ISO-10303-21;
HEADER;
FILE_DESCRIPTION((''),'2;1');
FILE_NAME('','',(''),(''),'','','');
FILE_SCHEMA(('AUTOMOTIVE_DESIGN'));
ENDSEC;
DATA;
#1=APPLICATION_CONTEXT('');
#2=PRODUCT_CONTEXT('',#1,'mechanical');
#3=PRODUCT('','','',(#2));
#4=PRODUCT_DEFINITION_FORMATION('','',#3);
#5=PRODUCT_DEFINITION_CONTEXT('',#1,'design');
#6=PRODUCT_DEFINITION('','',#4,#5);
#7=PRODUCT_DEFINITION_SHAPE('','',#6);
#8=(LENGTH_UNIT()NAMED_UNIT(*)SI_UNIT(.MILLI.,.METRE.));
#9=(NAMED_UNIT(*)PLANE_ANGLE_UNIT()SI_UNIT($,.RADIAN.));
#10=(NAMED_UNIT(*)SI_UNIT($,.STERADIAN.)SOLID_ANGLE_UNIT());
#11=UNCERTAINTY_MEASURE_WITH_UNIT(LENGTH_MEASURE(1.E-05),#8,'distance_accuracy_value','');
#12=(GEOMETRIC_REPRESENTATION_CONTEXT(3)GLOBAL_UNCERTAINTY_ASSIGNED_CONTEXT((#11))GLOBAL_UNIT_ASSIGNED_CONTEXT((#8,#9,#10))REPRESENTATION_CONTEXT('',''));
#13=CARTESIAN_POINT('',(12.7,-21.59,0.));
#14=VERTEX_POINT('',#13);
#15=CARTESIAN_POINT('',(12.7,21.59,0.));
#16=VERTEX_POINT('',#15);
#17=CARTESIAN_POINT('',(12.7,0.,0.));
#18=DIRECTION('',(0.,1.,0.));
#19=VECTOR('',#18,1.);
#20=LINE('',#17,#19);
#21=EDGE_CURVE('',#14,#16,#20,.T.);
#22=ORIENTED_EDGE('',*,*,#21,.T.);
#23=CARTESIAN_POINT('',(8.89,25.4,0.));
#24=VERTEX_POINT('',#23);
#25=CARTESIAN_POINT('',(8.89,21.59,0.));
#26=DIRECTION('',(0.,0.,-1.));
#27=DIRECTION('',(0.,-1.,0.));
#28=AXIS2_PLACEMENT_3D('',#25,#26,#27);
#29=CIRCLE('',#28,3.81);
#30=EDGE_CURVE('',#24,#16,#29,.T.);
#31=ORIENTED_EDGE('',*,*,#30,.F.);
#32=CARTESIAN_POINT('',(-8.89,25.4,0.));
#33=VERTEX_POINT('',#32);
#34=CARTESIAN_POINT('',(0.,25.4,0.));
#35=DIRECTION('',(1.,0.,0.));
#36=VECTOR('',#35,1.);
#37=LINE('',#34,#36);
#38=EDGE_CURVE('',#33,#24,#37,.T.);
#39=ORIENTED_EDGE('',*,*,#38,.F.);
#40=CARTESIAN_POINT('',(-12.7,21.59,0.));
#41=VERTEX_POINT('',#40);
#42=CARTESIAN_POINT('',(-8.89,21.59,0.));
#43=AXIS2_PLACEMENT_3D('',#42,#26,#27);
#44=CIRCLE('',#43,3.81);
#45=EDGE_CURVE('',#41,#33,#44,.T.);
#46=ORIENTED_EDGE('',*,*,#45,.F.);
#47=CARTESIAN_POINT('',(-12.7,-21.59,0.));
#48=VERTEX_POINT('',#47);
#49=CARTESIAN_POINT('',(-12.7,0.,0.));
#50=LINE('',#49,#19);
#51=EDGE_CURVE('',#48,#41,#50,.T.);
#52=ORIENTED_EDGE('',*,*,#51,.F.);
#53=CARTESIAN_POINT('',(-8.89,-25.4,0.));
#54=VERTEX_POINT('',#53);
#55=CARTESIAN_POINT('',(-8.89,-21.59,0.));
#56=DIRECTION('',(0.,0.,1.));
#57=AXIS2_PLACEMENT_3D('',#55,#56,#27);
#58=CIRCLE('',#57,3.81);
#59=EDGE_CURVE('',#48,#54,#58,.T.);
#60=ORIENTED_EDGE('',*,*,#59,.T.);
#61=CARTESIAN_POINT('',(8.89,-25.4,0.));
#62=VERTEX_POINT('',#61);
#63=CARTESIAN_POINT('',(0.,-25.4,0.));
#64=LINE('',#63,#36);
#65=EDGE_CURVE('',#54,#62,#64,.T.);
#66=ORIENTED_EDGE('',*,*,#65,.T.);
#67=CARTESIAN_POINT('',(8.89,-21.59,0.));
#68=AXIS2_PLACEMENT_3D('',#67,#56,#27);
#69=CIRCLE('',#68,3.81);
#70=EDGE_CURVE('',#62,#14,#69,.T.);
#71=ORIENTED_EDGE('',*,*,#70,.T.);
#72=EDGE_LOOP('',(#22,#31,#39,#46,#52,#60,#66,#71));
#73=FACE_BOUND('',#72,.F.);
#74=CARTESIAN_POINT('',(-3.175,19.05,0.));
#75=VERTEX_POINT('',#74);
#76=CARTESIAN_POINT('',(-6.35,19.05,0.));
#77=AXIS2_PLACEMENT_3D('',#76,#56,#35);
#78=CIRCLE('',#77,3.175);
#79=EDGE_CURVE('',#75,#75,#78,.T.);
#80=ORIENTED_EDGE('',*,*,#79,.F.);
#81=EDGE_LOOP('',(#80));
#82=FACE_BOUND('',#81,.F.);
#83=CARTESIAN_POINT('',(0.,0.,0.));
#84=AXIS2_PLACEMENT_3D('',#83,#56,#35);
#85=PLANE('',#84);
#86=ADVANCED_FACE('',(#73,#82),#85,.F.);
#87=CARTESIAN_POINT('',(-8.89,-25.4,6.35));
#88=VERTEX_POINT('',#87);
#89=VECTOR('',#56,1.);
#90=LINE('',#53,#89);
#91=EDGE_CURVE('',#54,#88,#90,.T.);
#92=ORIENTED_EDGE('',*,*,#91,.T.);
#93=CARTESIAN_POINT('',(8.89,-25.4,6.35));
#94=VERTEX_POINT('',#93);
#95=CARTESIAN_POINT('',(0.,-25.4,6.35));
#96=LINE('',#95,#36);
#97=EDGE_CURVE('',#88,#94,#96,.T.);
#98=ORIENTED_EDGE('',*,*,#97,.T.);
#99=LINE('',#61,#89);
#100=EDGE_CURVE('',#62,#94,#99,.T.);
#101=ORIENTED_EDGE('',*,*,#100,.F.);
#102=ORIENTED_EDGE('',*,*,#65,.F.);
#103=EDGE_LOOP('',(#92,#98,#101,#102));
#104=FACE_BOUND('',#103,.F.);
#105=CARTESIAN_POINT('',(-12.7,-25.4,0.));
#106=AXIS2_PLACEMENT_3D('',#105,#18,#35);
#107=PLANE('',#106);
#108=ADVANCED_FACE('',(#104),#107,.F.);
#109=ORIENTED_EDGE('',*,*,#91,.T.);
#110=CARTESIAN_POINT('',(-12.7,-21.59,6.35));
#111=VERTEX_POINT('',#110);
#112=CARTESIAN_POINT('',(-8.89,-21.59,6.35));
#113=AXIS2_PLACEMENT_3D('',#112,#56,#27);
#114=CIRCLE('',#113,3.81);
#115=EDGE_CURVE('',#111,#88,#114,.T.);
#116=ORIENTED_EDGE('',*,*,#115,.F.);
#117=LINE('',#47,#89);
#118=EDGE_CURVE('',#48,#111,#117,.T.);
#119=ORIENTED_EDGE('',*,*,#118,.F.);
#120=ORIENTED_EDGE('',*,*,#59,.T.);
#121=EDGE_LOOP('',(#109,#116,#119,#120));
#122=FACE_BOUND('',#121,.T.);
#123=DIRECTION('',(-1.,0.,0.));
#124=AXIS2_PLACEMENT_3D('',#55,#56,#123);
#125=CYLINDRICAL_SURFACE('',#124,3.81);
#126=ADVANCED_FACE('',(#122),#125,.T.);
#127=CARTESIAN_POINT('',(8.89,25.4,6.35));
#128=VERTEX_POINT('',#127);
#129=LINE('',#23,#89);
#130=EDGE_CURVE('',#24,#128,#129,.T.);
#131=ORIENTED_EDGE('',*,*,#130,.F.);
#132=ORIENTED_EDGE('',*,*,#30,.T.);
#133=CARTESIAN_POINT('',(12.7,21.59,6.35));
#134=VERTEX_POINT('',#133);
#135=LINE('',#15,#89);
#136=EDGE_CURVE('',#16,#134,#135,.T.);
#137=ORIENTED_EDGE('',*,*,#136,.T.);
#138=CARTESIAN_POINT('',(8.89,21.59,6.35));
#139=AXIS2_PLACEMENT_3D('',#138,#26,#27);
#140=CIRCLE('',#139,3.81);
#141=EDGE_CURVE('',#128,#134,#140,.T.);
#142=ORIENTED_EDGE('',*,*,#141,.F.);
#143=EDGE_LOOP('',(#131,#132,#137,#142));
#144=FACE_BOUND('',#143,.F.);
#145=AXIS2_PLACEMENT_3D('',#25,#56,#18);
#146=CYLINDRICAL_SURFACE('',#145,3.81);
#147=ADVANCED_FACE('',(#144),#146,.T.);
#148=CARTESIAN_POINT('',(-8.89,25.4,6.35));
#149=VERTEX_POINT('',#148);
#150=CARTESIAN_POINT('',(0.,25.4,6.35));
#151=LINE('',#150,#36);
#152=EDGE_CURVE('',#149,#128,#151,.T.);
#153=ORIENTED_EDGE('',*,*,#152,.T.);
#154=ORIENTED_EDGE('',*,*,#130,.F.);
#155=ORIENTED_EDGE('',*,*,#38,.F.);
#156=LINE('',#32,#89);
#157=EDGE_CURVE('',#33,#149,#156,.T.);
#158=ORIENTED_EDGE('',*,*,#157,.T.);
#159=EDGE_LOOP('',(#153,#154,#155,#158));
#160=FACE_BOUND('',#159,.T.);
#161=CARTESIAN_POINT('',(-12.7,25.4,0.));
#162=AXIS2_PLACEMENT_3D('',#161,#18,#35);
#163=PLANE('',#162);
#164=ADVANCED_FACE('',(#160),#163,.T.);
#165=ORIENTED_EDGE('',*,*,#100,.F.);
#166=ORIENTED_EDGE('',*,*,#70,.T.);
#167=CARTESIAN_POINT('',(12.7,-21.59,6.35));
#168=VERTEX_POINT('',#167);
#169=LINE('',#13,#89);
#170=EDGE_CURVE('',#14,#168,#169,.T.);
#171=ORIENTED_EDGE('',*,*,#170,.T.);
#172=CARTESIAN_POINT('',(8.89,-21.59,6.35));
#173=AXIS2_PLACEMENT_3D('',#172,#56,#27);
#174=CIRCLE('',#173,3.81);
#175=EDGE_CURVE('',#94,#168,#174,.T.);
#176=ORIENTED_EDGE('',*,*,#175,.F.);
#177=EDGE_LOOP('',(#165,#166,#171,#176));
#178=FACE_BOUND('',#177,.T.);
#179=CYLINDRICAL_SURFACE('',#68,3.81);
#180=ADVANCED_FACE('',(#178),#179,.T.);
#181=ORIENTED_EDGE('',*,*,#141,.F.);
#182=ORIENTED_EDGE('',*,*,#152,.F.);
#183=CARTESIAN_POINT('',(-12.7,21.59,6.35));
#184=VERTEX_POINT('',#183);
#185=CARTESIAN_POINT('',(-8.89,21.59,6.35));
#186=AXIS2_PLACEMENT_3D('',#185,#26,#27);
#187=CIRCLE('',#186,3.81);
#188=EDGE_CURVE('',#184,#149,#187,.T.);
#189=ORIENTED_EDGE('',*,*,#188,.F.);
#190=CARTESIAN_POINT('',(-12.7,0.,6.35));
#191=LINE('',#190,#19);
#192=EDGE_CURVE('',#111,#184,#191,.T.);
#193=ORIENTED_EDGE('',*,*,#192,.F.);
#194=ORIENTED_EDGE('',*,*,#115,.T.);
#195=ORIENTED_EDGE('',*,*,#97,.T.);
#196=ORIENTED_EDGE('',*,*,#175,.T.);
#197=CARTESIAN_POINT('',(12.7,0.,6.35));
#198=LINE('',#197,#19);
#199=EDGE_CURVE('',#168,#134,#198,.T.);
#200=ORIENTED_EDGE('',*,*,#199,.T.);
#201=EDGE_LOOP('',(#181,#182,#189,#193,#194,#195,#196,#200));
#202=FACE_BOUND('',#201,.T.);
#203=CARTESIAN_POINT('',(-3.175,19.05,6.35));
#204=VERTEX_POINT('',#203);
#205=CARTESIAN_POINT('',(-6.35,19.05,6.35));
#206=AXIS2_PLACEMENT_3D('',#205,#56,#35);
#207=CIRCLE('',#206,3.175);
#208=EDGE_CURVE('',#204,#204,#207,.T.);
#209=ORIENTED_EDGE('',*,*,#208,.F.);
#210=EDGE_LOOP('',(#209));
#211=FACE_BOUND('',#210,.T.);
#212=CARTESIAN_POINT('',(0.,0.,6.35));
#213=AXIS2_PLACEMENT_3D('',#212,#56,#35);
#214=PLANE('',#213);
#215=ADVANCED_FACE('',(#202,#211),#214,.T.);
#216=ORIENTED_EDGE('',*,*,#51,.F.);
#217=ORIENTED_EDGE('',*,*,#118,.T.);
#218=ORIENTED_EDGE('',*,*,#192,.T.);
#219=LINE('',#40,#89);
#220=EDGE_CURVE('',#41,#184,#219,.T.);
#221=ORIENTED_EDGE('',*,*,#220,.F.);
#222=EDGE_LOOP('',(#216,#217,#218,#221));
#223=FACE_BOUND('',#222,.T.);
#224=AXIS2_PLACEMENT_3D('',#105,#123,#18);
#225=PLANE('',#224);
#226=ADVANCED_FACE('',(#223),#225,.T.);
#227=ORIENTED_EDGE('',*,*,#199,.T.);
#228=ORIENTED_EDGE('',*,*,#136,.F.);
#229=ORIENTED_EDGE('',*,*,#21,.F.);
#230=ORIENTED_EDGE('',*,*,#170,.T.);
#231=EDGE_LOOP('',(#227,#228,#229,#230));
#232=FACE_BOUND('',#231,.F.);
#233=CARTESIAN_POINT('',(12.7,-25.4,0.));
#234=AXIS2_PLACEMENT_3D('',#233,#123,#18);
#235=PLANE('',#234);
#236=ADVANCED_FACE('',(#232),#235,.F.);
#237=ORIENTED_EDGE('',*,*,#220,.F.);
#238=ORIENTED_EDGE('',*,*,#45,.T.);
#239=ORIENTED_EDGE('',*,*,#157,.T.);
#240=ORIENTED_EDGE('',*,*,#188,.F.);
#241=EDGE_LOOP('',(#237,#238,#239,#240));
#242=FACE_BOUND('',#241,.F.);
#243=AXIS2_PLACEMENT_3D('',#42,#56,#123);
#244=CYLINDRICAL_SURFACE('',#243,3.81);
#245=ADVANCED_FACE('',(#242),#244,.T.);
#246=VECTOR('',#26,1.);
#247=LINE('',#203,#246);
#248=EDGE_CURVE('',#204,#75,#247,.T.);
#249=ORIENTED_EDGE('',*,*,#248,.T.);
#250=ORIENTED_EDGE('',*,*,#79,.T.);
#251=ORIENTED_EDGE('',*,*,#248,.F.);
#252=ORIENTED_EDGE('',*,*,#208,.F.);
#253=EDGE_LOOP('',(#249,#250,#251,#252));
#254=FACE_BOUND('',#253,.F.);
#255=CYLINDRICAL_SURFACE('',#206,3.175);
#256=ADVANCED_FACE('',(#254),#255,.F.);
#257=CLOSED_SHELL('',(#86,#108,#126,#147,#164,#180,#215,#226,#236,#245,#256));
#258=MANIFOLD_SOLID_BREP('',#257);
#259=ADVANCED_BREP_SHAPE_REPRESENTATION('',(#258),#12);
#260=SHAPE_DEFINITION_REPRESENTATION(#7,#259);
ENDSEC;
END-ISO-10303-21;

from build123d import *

# Parameters (mm, degrees)
F0_W     = 25.4
F0_H     = 50.8
F1_DEPTH = 6.35
F2_R     = 3.175
F3_DEPTH = 25.4
F4_R     = 3.81


with BuildPart() as f1:
    # F0 (on Top) → F1 (new body)
    with BuildSketch(Plane.XY):
        Rectangle(F0_W, F0_H)
    extrude(amount=F1_DEPTH)

    # F2 (on face) → F3 (cut)
    with BuildSketch(Plane.XY.offset(6.35)):
        with Locations((-6.35, 19.05)):
            Circle(F2_R)
    extrude(amount=-F3_DEPTH, mode=Mode.SUBTRACT)

    # F4
    f4_edges = [f1.edges().sort_by_distance(p)[0] for p in [
        (-12.7, 25.4, 3.175),
        (12.7, 25.4, 3.175),
        (-12.7, -25.4, 3.175),
        (12.7, -25.4, 3.175),
    ]]
    fillet(f4_edges, radius=F4_R)


solid = f1.part
